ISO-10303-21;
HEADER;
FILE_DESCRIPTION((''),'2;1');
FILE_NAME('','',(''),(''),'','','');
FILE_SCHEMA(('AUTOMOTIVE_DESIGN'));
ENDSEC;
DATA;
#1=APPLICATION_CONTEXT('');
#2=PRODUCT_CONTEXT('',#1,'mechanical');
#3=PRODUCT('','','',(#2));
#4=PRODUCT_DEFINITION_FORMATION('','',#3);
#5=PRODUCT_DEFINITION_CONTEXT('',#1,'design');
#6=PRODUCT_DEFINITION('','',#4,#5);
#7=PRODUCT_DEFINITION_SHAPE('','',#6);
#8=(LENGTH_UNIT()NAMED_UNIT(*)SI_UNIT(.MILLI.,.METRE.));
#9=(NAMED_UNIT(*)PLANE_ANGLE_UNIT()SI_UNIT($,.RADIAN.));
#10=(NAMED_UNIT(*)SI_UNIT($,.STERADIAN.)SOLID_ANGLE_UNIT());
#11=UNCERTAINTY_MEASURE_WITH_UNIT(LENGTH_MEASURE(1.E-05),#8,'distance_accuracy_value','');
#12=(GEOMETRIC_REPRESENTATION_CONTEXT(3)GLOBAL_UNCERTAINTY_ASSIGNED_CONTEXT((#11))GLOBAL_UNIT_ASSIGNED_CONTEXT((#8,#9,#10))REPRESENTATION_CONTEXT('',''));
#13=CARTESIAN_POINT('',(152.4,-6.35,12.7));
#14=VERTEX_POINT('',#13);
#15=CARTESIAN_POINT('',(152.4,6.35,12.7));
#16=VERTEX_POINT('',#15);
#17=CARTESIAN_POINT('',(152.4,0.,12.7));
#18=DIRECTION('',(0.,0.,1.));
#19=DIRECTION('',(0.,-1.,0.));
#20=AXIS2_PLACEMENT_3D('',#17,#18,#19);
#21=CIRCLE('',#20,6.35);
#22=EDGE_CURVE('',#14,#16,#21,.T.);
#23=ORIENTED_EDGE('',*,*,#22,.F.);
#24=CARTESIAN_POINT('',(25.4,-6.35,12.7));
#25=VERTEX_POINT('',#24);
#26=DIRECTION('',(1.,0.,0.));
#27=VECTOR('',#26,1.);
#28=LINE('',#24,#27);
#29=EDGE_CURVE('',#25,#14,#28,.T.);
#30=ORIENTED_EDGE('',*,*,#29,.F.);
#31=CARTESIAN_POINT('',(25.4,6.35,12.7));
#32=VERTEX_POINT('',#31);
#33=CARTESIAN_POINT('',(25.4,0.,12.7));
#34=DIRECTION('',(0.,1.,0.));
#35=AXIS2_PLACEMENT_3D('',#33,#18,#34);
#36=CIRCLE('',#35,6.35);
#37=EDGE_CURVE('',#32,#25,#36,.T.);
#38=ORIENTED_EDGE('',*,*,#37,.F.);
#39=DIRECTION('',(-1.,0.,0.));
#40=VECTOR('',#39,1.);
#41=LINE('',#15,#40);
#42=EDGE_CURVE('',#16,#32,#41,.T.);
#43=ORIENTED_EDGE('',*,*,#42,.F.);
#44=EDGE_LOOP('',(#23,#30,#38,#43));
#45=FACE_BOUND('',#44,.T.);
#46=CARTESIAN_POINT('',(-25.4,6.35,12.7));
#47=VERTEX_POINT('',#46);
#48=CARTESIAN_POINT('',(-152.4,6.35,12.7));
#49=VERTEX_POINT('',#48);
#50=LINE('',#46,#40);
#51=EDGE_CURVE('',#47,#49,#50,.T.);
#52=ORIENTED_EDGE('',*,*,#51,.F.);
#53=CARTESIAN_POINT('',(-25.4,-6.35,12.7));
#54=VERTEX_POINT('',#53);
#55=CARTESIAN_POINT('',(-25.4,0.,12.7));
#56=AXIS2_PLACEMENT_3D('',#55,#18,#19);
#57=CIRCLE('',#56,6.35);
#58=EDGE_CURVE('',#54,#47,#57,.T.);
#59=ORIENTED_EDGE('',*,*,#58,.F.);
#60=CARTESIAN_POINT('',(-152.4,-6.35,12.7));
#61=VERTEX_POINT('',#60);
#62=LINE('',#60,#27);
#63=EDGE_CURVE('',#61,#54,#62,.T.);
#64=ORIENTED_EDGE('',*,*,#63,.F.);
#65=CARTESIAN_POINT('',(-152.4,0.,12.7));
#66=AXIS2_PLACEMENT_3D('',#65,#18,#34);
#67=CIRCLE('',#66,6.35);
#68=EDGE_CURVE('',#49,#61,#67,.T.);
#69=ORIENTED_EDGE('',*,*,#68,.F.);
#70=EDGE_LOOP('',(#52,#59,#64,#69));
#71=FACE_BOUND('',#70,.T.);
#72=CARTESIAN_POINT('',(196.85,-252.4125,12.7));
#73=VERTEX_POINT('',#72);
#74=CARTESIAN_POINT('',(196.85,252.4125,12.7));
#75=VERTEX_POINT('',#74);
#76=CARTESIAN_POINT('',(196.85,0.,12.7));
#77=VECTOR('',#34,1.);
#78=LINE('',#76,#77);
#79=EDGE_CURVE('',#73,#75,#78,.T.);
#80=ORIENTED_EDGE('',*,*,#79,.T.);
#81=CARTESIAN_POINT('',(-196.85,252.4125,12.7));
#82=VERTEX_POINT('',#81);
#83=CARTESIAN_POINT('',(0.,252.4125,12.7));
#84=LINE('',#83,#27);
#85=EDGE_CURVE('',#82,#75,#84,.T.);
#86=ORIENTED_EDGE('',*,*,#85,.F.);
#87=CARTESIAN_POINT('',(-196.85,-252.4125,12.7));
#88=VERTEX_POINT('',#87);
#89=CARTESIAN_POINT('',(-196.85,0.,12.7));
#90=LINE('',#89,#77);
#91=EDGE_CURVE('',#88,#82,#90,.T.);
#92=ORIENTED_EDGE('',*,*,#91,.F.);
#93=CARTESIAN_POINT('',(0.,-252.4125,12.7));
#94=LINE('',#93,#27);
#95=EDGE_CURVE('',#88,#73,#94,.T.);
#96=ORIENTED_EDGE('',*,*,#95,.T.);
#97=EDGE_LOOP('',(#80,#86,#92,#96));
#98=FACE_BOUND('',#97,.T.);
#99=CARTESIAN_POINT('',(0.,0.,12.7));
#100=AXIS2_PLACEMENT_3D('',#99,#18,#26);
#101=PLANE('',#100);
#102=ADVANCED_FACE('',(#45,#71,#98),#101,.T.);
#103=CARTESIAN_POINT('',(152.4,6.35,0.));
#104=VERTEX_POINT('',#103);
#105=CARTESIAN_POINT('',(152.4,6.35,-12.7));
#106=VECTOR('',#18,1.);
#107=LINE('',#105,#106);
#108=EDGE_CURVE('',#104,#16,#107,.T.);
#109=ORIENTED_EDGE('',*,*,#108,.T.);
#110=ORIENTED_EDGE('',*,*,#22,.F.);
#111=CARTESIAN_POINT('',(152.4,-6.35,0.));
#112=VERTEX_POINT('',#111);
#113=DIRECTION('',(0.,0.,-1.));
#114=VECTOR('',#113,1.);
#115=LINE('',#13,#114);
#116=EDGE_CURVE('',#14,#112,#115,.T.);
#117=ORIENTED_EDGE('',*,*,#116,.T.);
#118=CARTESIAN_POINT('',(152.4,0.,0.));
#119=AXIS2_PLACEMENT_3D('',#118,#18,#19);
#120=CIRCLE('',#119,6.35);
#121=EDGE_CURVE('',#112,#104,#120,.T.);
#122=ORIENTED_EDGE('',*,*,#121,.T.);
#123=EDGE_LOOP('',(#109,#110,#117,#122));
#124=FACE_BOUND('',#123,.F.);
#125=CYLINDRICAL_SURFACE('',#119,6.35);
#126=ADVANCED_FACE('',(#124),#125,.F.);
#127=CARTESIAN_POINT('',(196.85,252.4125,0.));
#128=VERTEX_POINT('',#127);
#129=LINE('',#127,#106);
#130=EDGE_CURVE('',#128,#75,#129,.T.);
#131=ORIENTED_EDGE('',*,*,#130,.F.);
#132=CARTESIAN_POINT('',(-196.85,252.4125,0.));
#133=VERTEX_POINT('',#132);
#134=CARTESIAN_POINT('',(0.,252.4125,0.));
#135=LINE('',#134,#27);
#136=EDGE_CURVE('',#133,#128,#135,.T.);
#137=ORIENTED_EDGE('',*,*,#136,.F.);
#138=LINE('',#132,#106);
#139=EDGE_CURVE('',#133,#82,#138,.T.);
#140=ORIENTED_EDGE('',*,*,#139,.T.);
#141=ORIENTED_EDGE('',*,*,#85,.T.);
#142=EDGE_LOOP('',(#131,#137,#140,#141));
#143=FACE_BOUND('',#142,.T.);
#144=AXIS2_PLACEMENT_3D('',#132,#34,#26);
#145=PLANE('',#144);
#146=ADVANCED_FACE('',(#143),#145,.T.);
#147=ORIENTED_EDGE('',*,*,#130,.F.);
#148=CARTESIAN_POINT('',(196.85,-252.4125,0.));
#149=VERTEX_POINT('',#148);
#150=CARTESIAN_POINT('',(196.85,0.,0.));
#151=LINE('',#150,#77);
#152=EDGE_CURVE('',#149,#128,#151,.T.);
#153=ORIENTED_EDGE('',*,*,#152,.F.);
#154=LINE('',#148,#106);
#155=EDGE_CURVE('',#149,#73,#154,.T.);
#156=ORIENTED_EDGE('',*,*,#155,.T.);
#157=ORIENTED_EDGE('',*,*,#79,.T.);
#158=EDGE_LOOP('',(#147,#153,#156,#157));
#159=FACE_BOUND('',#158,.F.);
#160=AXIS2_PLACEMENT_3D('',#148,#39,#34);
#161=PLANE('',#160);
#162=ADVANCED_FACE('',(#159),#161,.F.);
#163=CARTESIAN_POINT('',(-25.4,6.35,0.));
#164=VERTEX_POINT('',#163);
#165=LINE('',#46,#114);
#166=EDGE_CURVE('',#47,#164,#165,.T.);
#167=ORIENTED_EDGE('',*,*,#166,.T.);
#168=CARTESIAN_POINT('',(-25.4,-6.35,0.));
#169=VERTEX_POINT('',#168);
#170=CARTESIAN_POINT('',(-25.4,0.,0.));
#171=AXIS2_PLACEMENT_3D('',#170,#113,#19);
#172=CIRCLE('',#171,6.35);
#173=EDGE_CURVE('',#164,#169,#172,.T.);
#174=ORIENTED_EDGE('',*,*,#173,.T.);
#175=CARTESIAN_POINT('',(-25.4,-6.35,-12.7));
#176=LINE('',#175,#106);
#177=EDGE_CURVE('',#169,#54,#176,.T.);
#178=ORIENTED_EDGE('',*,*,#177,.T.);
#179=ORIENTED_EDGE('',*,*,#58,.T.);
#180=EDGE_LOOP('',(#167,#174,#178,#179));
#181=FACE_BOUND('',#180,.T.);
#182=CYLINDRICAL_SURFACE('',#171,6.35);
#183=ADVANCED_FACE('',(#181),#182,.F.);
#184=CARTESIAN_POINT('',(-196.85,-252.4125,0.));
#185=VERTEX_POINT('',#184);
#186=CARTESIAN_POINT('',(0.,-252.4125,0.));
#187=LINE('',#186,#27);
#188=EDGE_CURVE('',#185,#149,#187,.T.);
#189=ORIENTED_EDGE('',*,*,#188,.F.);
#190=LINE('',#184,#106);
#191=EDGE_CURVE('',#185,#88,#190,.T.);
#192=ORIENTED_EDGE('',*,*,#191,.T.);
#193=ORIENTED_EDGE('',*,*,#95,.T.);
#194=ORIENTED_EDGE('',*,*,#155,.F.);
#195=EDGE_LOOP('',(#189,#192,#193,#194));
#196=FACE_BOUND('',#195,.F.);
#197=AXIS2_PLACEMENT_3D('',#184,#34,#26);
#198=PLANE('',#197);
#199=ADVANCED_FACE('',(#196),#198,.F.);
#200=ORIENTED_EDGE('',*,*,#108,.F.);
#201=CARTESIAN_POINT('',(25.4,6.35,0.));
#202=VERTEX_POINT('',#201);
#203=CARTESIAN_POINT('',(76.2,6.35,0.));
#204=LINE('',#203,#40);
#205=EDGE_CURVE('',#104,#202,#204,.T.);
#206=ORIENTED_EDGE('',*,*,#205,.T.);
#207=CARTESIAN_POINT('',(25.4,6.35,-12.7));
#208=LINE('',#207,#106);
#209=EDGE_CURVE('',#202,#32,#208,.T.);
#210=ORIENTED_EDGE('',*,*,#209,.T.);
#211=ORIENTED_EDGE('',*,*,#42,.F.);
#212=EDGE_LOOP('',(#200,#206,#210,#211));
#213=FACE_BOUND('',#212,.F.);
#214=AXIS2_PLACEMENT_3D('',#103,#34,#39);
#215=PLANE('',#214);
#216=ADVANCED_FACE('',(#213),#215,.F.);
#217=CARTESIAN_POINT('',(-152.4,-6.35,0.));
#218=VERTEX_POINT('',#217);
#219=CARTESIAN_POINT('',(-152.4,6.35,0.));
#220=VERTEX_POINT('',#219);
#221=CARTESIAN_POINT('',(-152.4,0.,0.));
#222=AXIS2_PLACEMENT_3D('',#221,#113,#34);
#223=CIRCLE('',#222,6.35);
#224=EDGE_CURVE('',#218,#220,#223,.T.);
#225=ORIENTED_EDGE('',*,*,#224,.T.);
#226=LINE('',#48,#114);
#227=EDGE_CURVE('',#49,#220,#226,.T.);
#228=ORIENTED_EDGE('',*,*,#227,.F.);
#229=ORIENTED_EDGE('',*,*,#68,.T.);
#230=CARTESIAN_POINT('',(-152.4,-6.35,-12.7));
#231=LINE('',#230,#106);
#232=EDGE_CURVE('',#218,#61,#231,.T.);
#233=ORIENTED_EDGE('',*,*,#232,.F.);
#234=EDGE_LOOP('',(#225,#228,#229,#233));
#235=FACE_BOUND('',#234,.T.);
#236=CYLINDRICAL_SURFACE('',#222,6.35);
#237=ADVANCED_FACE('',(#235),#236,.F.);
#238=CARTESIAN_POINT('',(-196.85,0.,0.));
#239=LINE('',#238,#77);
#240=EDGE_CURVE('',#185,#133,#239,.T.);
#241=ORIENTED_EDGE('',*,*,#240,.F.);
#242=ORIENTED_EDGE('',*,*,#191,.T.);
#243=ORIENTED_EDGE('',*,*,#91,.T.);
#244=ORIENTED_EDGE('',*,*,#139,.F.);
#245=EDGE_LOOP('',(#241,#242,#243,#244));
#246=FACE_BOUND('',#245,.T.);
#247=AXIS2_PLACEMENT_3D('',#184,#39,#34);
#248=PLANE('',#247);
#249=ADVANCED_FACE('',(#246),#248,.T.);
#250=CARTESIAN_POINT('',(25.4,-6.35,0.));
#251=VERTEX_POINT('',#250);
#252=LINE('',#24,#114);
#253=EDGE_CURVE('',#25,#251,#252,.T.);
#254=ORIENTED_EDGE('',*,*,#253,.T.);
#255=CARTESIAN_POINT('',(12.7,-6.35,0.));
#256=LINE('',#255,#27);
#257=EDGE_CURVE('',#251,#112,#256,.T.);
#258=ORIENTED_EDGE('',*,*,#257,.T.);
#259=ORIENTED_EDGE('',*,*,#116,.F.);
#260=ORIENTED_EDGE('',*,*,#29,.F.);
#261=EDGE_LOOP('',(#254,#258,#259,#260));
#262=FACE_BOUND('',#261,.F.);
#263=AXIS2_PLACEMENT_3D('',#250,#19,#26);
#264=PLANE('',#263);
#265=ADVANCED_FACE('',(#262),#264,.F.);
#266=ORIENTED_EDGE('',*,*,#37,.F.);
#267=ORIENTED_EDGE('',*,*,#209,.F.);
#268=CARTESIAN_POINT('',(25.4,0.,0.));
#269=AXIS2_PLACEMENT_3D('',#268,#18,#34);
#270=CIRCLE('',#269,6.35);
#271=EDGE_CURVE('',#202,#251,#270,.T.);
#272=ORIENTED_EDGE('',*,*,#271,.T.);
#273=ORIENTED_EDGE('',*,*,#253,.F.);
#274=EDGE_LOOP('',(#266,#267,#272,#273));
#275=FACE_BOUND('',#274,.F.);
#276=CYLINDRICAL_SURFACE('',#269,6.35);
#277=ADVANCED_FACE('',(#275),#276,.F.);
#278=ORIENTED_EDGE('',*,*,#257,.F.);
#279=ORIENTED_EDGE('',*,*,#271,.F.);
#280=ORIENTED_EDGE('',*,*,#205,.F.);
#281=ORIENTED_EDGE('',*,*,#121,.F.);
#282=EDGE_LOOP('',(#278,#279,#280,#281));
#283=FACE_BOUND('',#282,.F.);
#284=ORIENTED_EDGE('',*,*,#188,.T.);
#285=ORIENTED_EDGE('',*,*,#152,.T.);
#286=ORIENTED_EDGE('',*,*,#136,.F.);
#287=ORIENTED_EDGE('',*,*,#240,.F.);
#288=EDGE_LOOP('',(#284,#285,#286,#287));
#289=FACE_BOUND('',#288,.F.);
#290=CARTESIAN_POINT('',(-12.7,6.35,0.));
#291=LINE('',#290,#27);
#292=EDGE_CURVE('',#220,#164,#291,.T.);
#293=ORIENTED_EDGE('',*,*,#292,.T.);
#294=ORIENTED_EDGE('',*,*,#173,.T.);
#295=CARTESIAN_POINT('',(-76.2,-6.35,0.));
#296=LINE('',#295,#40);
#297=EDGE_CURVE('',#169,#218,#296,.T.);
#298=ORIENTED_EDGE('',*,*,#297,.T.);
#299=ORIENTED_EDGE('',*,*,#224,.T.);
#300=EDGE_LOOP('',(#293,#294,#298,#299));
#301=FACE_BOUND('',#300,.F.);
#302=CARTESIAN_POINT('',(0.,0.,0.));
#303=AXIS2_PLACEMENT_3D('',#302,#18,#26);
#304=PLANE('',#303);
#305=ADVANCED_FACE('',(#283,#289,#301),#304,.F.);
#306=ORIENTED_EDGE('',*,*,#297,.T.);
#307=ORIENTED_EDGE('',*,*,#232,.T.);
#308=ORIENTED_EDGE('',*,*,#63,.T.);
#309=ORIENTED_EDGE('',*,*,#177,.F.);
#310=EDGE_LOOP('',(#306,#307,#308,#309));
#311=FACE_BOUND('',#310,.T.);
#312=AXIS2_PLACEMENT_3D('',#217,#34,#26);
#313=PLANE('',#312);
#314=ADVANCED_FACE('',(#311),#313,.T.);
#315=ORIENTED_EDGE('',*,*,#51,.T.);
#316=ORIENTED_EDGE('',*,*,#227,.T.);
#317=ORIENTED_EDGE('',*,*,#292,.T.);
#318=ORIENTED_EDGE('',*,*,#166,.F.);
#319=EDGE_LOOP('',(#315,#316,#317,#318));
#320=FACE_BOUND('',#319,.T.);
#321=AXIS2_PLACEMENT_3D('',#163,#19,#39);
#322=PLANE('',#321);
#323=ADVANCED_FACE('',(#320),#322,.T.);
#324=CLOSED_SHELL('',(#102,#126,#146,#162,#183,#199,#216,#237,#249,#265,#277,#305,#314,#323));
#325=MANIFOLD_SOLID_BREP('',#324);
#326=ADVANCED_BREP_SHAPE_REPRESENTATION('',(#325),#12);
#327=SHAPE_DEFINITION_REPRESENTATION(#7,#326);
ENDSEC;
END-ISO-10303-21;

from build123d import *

# Parameters (mm, degrees)
F0_W     = 393.7
F0_H     = 504.825
F1_DEPTH = 12.7
F3_DEPTH = 12.7


with BuildPart() as f1:
    # F0 (on Top) → F1 (new body)
    with BuildSketch(Plane.XY):
        Rectangle(F0_W, F0_H)
    extrude(amount=F1_DEPTH)

    # F2 (on Top) → F3 (cut, symmetric)
    with BuildSketch(Plane.XY):
        with BuildLine():
            ThreePointArc((-152.4, 6.35), (-158.75, 0), (-152.4, -6.35))
            Line((-152.4, -6.35), (-25.4, -6.35))
            ThreePointArc((-25.4, -6.35), (-19.05, 0), (-25.4, 6.35))
            Line((-25.4, 6.35), (-152.4, 6.35))
        make_face()
        with BuildLine():
            ThreePointArc((152.4, -6.35), (158.75, 0), (152.4, 6.35))
            Line((152.4, 6.35), (25.4, 6.35))
            ThreePointArc((25.4, 6.35), (19.05, 0), (25.4, -6.35))
            Line((25.4, -6.35), (152.4, -6.35))
        make_face()
    extrude(amount=F3_DEPTH, both=True, mode=Mode.SUBTRACT)


solid = f1.part
